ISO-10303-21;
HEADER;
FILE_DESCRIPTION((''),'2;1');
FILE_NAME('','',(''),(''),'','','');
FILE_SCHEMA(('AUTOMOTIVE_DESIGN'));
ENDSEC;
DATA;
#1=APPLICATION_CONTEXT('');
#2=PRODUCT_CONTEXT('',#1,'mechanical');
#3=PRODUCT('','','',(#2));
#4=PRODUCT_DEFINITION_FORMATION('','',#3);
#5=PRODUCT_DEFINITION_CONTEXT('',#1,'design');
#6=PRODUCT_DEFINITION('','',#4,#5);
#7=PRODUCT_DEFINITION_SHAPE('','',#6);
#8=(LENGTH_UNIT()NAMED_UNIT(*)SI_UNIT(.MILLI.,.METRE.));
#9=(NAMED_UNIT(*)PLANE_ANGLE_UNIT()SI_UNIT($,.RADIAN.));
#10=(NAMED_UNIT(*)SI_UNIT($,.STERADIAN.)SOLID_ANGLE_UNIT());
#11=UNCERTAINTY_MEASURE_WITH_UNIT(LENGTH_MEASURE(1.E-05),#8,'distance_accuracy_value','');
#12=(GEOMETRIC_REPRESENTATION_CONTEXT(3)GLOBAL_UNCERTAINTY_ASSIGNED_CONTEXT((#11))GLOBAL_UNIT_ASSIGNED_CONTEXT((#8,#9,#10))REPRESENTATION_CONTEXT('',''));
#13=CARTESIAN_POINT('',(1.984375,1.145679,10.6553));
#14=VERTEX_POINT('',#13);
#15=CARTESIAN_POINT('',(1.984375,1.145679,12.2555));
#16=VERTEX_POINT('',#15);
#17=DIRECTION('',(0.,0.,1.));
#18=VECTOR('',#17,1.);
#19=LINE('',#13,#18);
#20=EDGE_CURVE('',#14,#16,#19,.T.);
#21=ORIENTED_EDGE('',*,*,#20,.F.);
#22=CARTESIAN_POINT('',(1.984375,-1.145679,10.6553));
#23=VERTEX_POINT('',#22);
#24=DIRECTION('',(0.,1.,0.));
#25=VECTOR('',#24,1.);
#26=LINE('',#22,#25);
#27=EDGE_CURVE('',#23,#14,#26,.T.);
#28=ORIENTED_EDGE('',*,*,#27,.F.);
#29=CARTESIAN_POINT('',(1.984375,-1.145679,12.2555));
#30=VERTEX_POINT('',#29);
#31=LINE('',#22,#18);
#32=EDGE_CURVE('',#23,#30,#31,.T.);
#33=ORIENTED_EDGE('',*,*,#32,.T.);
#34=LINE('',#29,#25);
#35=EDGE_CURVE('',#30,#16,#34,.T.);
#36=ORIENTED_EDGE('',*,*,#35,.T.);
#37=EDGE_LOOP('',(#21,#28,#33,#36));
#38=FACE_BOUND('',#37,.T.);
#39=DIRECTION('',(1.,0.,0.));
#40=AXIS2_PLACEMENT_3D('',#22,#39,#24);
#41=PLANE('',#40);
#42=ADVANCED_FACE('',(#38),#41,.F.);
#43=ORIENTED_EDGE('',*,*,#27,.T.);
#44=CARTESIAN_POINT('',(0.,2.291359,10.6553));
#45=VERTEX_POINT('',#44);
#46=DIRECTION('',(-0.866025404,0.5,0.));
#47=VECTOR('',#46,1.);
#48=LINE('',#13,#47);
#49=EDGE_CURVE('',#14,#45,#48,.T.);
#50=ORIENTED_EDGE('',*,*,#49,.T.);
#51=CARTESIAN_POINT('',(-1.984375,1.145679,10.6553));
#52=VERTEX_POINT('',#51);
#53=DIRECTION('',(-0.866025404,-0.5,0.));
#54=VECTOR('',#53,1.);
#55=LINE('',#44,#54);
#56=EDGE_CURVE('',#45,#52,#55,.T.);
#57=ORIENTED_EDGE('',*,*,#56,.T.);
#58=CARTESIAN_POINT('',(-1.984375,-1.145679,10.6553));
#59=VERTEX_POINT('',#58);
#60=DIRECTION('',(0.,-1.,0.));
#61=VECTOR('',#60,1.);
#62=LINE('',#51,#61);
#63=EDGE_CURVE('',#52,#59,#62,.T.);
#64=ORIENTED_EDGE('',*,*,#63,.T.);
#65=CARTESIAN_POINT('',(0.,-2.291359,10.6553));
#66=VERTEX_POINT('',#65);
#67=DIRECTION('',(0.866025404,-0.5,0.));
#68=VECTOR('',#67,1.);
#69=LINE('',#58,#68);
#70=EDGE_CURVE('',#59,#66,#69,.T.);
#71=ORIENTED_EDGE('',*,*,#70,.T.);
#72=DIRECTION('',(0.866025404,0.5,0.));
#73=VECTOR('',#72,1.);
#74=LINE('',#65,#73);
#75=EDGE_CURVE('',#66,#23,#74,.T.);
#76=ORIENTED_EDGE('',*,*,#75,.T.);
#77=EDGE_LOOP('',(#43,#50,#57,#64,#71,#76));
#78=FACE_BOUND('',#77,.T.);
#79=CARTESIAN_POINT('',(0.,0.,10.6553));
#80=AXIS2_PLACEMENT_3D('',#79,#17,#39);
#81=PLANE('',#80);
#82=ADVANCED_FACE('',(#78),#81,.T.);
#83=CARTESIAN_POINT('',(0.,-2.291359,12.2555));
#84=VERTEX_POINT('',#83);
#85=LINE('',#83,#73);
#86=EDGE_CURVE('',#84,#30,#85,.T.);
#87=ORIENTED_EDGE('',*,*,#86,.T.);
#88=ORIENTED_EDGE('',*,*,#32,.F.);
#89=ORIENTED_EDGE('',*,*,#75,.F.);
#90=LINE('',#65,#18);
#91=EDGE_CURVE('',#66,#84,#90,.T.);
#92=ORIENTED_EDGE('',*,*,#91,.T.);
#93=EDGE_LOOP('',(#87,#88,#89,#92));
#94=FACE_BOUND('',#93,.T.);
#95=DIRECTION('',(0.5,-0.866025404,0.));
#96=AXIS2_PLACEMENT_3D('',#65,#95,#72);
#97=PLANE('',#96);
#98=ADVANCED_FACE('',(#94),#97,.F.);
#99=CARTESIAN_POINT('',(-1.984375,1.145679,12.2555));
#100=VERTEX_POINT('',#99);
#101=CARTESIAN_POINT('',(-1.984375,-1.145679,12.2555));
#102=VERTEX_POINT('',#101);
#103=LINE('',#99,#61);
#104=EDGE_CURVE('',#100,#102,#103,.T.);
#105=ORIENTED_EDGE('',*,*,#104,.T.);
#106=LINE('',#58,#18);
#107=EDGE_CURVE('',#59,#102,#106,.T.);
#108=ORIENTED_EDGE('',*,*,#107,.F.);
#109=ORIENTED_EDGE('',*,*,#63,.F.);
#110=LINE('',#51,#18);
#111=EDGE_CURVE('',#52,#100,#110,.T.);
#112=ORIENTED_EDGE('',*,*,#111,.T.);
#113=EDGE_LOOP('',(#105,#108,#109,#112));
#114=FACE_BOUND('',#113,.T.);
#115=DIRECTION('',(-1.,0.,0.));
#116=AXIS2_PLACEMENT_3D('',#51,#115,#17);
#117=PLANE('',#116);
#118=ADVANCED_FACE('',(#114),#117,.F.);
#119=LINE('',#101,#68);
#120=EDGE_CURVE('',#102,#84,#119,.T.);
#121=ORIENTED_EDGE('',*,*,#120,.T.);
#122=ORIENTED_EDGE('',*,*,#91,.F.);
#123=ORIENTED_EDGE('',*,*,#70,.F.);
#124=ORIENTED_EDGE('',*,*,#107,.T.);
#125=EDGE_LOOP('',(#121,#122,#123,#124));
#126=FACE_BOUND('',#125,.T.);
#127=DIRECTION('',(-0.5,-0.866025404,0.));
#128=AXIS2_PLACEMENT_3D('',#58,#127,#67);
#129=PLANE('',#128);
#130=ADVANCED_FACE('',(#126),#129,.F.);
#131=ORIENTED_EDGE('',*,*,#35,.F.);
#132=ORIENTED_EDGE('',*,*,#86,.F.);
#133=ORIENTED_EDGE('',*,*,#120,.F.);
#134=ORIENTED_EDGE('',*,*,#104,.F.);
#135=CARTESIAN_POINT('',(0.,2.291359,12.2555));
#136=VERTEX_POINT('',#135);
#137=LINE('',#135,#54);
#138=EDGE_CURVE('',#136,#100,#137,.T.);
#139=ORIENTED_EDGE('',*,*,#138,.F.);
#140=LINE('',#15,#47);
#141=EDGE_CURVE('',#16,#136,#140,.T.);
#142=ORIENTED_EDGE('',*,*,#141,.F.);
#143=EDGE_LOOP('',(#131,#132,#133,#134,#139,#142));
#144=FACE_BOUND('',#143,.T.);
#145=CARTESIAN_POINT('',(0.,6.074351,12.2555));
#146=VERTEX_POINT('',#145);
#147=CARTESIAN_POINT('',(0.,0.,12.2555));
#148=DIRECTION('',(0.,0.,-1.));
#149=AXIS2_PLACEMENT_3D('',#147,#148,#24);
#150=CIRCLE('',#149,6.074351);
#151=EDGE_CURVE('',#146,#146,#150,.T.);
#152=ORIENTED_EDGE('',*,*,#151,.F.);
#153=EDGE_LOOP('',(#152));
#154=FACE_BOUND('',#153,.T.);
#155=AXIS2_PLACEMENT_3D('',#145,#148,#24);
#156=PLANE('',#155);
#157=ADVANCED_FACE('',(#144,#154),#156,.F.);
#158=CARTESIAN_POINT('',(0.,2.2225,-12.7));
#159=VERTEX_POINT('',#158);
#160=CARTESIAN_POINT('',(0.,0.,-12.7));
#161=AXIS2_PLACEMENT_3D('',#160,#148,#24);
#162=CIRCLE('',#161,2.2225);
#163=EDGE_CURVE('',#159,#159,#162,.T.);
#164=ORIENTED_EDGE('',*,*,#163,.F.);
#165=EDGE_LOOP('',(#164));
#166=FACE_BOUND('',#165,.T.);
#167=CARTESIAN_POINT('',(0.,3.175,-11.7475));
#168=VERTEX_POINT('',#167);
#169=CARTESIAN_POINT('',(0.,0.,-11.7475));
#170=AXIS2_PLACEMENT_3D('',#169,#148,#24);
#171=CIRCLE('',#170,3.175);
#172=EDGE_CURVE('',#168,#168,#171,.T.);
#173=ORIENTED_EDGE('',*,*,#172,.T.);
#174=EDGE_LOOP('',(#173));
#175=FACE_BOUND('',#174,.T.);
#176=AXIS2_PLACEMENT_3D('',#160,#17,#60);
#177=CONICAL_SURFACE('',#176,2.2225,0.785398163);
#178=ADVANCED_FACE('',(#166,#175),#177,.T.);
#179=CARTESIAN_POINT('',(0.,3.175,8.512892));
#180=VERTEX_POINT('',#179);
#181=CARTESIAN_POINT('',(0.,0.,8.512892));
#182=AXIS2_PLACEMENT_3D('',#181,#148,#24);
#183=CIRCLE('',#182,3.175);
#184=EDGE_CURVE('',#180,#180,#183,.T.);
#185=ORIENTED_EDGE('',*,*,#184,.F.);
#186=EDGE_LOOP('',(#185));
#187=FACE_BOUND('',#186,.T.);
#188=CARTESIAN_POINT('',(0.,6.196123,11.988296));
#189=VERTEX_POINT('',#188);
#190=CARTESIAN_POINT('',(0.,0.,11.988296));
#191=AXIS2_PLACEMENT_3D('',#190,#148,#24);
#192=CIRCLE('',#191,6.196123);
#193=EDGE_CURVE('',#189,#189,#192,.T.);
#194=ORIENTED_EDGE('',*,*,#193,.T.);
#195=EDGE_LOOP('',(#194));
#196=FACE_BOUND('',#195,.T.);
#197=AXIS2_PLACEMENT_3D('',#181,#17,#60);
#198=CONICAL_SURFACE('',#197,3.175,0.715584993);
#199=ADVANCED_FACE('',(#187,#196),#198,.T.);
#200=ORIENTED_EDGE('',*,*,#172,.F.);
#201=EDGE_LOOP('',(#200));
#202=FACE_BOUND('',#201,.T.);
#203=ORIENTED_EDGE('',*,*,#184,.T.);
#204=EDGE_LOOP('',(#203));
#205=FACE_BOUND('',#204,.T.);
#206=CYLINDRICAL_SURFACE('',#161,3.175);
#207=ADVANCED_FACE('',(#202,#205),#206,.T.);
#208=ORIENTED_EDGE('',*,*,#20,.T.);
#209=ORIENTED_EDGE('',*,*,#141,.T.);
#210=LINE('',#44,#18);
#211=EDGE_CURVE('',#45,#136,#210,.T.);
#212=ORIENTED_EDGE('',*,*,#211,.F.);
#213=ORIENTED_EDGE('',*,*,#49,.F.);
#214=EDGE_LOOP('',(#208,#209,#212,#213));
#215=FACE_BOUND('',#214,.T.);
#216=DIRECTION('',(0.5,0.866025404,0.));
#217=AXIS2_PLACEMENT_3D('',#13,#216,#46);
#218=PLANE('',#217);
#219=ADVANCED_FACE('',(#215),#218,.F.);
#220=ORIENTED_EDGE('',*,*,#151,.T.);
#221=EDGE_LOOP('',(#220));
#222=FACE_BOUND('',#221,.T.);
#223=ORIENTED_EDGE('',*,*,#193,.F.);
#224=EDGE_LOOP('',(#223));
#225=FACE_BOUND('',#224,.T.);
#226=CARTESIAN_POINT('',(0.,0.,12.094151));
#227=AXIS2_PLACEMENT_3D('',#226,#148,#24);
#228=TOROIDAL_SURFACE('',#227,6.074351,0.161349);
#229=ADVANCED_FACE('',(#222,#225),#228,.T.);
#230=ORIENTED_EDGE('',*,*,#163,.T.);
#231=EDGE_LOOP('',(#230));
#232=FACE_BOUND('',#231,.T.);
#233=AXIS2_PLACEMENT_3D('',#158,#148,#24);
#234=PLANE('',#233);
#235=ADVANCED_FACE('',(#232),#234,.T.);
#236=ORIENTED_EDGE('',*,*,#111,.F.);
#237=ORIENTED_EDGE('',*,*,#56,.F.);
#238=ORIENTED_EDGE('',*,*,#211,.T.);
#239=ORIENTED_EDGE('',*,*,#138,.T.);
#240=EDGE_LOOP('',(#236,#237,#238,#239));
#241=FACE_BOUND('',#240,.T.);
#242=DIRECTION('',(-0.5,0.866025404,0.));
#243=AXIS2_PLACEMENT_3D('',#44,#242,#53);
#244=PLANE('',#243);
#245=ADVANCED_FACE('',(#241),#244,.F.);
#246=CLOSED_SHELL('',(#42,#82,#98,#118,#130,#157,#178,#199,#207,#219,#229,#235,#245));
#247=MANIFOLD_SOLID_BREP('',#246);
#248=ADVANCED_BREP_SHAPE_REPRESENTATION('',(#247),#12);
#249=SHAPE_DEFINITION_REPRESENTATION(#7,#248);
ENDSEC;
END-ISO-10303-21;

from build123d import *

# Parameters (mm, degrees)
SKETCH10_R         = 2.291358881
CUT_EXTRUDE2_DEPTH = 2.0447
CUT_EXTRUDE2_DRAFT = -45
CUT_EXTRUDE1_DEPTH = 2.0447


with BuildPart() as part:
    # Sketch2 → Revolve1 (revolve)
    with BuildSketch(Plane(origin=(0, 0, 0), x_dir=(0, 0, -1), z_dir=(1, 0, 0))):
        Polygon((-12.618212, 6.7437), (-8.512892265, 3.175), (11.7475, 3.175), (12.7, 2.2225), (12.7, 0), (-12.7, 0), (-12.7, 6.7437), align=None)
    revolve(axis=Axis((0, 0, -12.7), (0, 0, 1)))


with BuildPart() as cut_extrude2_tool:
    # Sketch10 → Cut-Extrude2 (with draft: the straight prism first)
    with BuildSketch(Plane.XY.offset(12.7)):
        Circle(SKETCH10_R)
    extrude(amount=-CUT_EXTRUDE2_DEPTH)
    # Cut-Extrude2: the draft: its side faces are tilted about the plane it starts from
    cut_extrude2_sides = [cut_extrude2_tool.faces().sort_by_distance(p)[0] for p in [
        (-2.291358881, 0, 11.67765),
    ]]
    draft(cut_extrude2_sides, Plane.XY.offset(12.7), CUT_EXTRUDE2_DRAFT)


with BuildPart() as part_1:
    add(part.part)

    # Cut-Extrude2: cut by cut_extrude2_tool
    add(cut_extrude2_tool.part, mode=Mode.SUBTRACT)

    # Sketch9 → Cut-Extrude1 (cut)
    with BuildSketch(Plane.XY.offset(12.7)):
        Polygon((1.984375, -1.14567944), (1.984375, 1.14567944), (0, 2.291358881), (-1.984375, 1.14567944), (-1.984375, -1.14567944), (0, -2.291358881), align=None)
    extrude(amount=-CUT_EXTRUDE1_DEPTH, mode=Mode.SUBTRACT)


with BuildPart() as body_2:
    # Split1: the piece on the far side of the plane
    add(part_1.part)
    split(bisect_by=Plane.XY.offset(8.512892265), keep=Keep.BOTTOM)


with BuildPart() as part_2:
    add(part_1.part)

    # Split1
    split(bisect_by=Plane.XY.offset(8.512892265), keep=Keep.TOP)

    add(body_2.part)  # Boss-Extrude2 merges body 2
    # Boss-Extrude2 cone 1 section (through the dimple's axis) → Boss-Extrude2 (revolve)
    with BuildSketch(Plane(origin=(0, 0, 8.512892265), x_dir=(0, -1, 0), z_dir=(1, 0, 0))):
        Polygon((0, 0), (3.175, 0), (0, 8.723240807), align=None)
    revolve(axis=Axis((0, 0, 8.512892265), (0, 0, -1)))

    # Sketch12 → Cut-Revolve1 (revolve, cut)
    with BuildSketch(Plane(origin=(0, 0, 0), x_dir=(0, 0, -1), z_dir=(1, 0, 0))):
        with BuildLine():
            Line((-12.7, 0), (-12.7, 6.814797224))
            Line((-12.7, 6.814797224), (-11.988296252, 6.196122595))
            ThreePointArc((-11.988296252, 6.196122595), (-12.161061241, 6.221172326), (-12.2555, 6.074350831))
            Line((-12.2555, 6.074350831), (-12.2555, 0))
            Line((-12.2555, 0), (-12.7, 0))
        make_face()
    revolve(axis=Axis((0, 0, 0), (0, 0, 1)), mode=Mode.SUBTRACT)


solid = part_2.part
